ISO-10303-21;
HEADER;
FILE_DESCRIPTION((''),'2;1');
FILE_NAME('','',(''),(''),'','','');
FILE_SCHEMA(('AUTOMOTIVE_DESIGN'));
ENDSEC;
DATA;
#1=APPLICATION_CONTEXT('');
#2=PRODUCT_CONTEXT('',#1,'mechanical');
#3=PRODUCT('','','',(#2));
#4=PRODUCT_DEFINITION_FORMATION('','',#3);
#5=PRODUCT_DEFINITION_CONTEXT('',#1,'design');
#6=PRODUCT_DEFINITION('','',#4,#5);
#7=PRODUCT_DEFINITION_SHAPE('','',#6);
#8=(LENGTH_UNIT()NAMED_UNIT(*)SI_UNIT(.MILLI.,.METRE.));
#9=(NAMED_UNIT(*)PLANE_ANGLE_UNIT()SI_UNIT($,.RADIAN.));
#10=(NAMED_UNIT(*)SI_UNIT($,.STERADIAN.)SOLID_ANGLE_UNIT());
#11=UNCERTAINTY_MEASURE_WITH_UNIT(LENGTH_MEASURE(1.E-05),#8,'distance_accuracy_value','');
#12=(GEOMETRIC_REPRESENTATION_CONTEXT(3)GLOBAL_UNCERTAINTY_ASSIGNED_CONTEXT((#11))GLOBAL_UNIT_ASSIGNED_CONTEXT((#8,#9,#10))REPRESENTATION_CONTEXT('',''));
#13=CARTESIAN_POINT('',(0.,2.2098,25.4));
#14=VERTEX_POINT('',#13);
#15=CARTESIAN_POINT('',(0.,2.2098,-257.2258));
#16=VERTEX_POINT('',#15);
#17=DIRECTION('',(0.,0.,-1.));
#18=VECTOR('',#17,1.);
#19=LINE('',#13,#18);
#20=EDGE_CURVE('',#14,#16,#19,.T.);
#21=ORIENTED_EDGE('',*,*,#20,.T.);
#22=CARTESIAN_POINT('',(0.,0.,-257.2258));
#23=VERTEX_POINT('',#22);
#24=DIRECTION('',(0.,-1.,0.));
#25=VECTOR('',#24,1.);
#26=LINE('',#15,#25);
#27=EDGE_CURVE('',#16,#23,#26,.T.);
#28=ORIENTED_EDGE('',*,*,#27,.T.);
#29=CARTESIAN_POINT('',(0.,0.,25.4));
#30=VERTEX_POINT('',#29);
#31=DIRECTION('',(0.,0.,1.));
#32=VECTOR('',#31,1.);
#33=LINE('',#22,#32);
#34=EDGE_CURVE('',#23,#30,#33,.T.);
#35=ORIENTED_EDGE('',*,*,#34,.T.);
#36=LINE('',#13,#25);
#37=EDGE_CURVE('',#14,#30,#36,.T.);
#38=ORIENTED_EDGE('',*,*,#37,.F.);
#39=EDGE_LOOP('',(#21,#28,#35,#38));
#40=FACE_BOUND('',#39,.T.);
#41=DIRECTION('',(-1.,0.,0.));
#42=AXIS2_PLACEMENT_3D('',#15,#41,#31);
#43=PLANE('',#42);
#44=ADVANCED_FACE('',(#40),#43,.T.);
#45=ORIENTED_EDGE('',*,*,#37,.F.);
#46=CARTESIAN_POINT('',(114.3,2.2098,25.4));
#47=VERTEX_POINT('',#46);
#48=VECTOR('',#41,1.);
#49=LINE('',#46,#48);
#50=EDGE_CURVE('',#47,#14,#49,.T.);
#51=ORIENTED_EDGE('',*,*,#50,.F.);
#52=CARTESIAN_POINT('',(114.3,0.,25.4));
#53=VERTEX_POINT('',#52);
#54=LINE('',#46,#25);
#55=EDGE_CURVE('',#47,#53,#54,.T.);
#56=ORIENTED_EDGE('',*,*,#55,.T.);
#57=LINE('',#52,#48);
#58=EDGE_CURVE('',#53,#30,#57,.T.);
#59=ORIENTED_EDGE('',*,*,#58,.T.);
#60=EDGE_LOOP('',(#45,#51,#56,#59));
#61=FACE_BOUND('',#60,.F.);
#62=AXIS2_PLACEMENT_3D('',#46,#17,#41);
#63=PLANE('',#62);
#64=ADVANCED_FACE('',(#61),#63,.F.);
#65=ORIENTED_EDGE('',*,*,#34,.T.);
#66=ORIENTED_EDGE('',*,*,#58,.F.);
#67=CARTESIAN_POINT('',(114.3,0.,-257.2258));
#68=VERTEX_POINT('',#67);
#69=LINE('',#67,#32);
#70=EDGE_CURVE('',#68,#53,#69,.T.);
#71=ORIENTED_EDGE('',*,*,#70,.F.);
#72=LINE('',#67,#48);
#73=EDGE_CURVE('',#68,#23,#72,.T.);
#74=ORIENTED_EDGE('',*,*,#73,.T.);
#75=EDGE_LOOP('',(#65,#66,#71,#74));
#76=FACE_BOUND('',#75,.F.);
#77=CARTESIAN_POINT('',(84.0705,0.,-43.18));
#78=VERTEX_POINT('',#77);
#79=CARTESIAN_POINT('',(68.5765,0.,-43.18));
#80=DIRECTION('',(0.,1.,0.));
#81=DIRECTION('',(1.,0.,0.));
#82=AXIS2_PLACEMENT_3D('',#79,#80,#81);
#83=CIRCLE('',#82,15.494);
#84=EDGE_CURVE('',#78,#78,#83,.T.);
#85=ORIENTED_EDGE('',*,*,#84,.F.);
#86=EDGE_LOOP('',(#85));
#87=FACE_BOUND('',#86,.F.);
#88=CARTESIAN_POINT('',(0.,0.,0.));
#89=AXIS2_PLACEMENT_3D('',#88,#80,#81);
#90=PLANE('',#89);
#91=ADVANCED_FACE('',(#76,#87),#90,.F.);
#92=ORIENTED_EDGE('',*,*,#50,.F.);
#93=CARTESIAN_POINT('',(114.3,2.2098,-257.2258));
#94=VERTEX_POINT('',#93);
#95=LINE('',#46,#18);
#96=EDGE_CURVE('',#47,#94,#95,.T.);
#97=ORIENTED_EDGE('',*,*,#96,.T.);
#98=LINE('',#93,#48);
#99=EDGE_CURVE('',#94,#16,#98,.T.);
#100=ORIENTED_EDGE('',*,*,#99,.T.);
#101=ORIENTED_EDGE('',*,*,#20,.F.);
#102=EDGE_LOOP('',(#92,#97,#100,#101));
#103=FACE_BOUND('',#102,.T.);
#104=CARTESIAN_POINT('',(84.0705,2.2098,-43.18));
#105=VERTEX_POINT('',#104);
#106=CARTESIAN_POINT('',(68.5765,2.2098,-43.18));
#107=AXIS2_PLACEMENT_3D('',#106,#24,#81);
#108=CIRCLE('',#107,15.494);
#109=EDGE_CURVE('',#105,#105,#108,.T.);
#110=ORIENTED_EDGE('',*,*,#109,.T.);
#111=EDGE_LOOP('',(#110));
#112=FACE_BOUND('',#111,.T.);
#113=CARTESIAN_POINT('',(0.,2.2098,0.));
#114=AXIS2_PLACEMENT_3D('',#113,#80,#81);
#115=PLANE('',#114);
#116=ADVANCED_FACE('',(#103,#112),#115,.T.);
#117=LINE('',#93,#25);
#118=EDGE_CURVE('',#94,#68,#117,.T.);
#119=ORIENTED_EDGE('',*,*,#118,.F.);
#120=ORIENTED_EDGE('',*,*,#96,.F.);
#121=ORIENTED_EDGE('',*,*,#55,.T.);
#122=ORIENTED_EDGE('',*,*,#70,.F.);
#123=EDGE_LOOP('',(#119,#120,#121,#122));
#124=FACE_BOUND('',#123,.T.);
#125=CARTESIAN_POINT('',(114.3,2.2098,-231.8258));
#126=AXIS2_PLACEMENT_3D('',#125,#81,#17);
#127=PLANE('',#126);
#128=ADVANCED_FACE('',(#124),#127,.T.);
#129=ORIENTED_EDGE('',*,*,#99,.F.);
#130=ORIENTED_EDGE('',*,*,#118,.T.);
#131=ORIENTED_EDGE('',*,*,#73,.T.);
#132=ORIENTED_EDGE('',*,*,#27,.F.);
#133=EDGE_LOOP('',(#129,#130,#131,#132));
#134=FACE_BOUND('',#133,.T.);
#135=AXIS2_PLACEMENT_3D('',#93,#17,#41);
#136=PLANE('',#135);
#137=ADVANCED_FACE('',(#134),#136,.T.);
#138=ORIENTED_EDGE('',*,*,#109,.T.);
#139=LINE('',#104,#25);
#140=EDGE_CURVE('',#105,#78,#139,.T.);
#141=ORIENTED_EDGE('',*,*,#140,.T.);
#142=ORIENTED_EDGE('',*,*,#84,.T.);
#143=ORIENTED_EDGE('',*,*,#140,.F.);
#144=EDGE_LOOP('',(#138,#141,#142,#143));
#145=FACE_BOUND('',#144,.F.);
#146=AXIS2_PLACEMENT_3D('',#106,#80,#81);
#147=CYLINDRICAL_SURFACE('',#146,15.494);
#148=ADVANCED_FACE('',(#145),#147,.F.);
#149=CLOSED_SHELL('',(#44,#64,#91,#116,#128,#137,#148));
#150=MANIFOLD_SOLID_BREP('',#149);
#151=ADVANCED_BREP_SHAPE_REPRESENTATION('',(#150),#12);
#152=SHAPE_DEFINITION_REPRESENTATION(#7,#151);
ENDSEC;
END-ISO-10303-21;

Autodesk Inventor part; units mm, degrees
ref_plane "YZ Plane" through (0, 0, 0) normal (1, 0, 0) x (0, 1, 0)
ref_plane "XZ Plane" through (0, 0, 0) normal (0, 1, 0) x (-1, 0, 0)
ref_plane "XY Plane" through (0, 0, 0) normal (0, 0, 1) x (1, 0, 0)
sketch "Sketch1" plane through (0, 0, 0) normal (0, 1, 0) x (-1, 0, 0)
  line L0 (0, 0) -> (-149.225, 0)
  line L1 (-149.225, 0) -> (-149.225, -149.225)
  line L2 (-149.225, -149.225) -> (0, -149.225)
  line L3 (0, -149.225) -> (0, 0)
  circle A0 centre (-74.6125, -74.6125) radius 14.351
  dimension "d0" = 149.225
  dimension "d1" = 149.225
  dimension "d2" = 28.702
extrude "Extrusion1" add sketch "Sketch1" along normal blind 2.2098
sketch "Sketch5" plane through (0, 2.2098, 0) normal (0, 1, 0) x (1, 0, 0)
  circle A0 centre (74.6125, 74.6125) radius 14.351 projected
  line L0 (0, 0) -> (149.225, 0) projected
  line L1 (149.225, 0) -> (149.225, 149.225) projected
  line L2 (149.225, 149.225) -> (0, 149.225) projected
  line L3 (0, 149.225) -> (0, 0) projected
  line L4 (0, 0) -> (114.3, 0)
  line L5 (114.3, 0) -> (114.3, 257.2258)
  line L6 (114.3, 257.2258) -> (0, 257.2258)
  line L7 (0, 257.2258) -> (0, 0)
  dimension "d21" = 114.3
  dimension "d22" = 257.2258
extrude "Extrusion6" add sketch "Sketch5" against normal blind 2.2098 contours L3 L2 L5 L0 | L7 L6 L5 L2
sketch "Sketch6" plane through (0, 2.2098, 0) normal (0, 1, 0) x (1, 0, 0)
  line L0 (114.3, 149.225) -> (149.225, 149.225)
  line L1 (149.225, 149.225) -> (149.225, 0)
  line L2 (149.225, 0) -> (114.3, 0)
  line L3 (114.3, 0) -> (114.3, 149.225)
  point P0 (0, 0)
extrude "Extrusion7" cut sketch "Sketch6" against normal blind 2.2098
sketch "Sketch7" plane through (0, 2.2098, 0) normal (0, 1, 0) x (1, 0, 0)
  circle A0 centre (74.6125, 74.6125) radius 14.351 projected
  circle A1 centre (74.6125, 74.6125) radius 14.351
  point P0 (0, 0)
extrude "Extrusion8" add sketch "Sketch7" against normal blind 2.2098
sketch "Sketch8" plane through (0, 2.2098, 0) normal (0, 1, 0) x (1, 0, 0)
  line L0 (0, 0) -> (114.3, 0) projected
  line L1 (16.637, 0) -> (97.663, 0)
  line L2 (16.637, 30.422) -> (16.637, 0)
  line L3 (16.637, 40.513) -> (57.15, 40.513)
  line L4 (57.15, 40.513) -> (57.15, 0)
  line L5 (57.15, 0) -> (16.637, 0)
  line L6 (16.637, 0) -> (16.637, 40.513)
  circle A0 centre (57.15, 40.513) radius 15.494
  dimension "d31" = 30.988
extrude "Extrusion9" cut sketch "Sketch8" against normal blind 2.2098 contours A0 L3 L4 | L4 L3 A0
sketch "Sketch9" plane through (0, 2.2098, 0) normal (0, 1, 0) x (1, 0, 0)
  circle A0 centre (57.15, 40.513) radius 15.494 projected
  line L0 (114.3, 0) -> (114.3, 257.2258) projected
  line L1 (114.3, 257.2258) -> (0, 257.2258) projected
  line L2 (0, 257.2258) -> (0, 0) projected
  line L3 (0, 0) -> (114.3, 0) projected
  line L4 (0, 0) -> (114.3, 0)
  line L5 (114.3, 0) -> (114.3, -25.4)
  line L6 (114.3, -25.4) -> (0, -25.4)
  line L7 (0, -25.4) -> (0, 0)
  line L8 (114.3, 257.2258) -> (114.3, 0) projected
  line L9 (0, 257.2258) -> (114.3, 257.2258)
  line L10 (114.3, 257.2258) -> (114.3, 231.8258)
  line L11 (114.3, 231.8258) -> (0, 231.8258)
  line L12 (0, 231.8258) -> (0, 257.2258)
  dimension "d34" = 25.4
  dimension "d35" = 25.4
extrude "Extrusion10" cut sketch "Sketch9" against normal blind 2.2098 contours L11 L2 L1 L0
extrude "Extrusion11" add sketch "Sketch9" against normal blind 2.2098 contours L5 L6 L7 L3
sketch "Sketch10" plane through (0, 2.2098, 0) normal (0, 1, 0) x (1, 0, 0)
  line L0 (0, -25.4) -> (25.4, -25.4)
  line L1 (25.4, -25.4) -> (25.4, 86.8868)
  line L2 (25.4, 86.8868) -> (0, 86.8868)
  line L3 (0, 86.8868) -> (0, -25.4)
  line L4 (114.3, -25.4) -> (114.3, 231.8258) projected
  line L5 (0, -25.4) -> (114.3, -25.4)
  line L6 (114.3, -25.4) -> (114.3, 0)
  line L7 (114.3, 0) -> (0, 0)
  line L8 (0, 0) -> (0, -25.4)
  line L9 (114.3, 231.8258) -> (0, 231.8258) projected
  line L10 (0, 231.8258) -> (0, -25.4) projected
  line L11 (0, -25.4) -> (114.3, -25.4) projected
  line L12 (114.3, -25.4) -> (114.3, 231.8258) projected
  circle A0 centre (57.15, 40.513) radius 15.494 projected
  circle A1 centre (57.15, 40.513) radius 15.494
  dimension "d40" = 25.4
extrude "Extrusion12" add sketch "Sketch10" against normal blind 2.2098 contours A0
sketch "Sketch11" plane through (0, 2.2098, 0) normal (0, 1, 0) x (1, 0, 0)
  line L0 (25.3965, 0) -> (68.5765, 0)
  line L1 (68.5765, 0) -> (68.5765, 43.18)
  line L2 (68.5765, 43.18) -> (25.3965, 43.18)
  line L3 (25.3965, 43.18) -> (25.3965, 0)
  circle A0 centre (68.5765, 43.18) radius 15.494
  point P0 (0, 0)
  dimension "d43" = 43.18
  dimension "d44" = 43.18
  dimension "d45" = 30.988
extrude "Extrusion13" cut sketch "Sketch11" against normal blind 2.2098 contours A0 L2 L1 | L1 L2 A0
sketch "Sketch12" plane through (0, 2.2098, 0) normal (0, 1, 0) x (1, 0, 0)
  circle A0 centre (68.5765, 43.18) radius 15.494 projected
  line L0 (114.3, 231.8258) -> (0, 231.8258) projected
  line L1 (0, 231.8258) -> (0, -25.4) projected
  line L2 (0, -25.4) -> (114.3, -25.4) projected
  line L3 (114.3, -25.4) -> (114.3, 231.8258) projected
  line L4 (0, 231.8258) -> (114.3, 231.8258)
  line L5 (114.3, 231.8258) -> (114.3, 257.2258)
  line L6 (114.3, 257.2258) -> (0, 257.2258)
  line L7 (0, 257.2258) -> (0, 231.8258)
  point P0 (0, 0)
  dimension "d48" = 25.4
extrude "Extrusion14" add sketch "Sketch12" against normal blind 2.2098 contours L0 L7 L6 L5
properties part number "bearing plate"
